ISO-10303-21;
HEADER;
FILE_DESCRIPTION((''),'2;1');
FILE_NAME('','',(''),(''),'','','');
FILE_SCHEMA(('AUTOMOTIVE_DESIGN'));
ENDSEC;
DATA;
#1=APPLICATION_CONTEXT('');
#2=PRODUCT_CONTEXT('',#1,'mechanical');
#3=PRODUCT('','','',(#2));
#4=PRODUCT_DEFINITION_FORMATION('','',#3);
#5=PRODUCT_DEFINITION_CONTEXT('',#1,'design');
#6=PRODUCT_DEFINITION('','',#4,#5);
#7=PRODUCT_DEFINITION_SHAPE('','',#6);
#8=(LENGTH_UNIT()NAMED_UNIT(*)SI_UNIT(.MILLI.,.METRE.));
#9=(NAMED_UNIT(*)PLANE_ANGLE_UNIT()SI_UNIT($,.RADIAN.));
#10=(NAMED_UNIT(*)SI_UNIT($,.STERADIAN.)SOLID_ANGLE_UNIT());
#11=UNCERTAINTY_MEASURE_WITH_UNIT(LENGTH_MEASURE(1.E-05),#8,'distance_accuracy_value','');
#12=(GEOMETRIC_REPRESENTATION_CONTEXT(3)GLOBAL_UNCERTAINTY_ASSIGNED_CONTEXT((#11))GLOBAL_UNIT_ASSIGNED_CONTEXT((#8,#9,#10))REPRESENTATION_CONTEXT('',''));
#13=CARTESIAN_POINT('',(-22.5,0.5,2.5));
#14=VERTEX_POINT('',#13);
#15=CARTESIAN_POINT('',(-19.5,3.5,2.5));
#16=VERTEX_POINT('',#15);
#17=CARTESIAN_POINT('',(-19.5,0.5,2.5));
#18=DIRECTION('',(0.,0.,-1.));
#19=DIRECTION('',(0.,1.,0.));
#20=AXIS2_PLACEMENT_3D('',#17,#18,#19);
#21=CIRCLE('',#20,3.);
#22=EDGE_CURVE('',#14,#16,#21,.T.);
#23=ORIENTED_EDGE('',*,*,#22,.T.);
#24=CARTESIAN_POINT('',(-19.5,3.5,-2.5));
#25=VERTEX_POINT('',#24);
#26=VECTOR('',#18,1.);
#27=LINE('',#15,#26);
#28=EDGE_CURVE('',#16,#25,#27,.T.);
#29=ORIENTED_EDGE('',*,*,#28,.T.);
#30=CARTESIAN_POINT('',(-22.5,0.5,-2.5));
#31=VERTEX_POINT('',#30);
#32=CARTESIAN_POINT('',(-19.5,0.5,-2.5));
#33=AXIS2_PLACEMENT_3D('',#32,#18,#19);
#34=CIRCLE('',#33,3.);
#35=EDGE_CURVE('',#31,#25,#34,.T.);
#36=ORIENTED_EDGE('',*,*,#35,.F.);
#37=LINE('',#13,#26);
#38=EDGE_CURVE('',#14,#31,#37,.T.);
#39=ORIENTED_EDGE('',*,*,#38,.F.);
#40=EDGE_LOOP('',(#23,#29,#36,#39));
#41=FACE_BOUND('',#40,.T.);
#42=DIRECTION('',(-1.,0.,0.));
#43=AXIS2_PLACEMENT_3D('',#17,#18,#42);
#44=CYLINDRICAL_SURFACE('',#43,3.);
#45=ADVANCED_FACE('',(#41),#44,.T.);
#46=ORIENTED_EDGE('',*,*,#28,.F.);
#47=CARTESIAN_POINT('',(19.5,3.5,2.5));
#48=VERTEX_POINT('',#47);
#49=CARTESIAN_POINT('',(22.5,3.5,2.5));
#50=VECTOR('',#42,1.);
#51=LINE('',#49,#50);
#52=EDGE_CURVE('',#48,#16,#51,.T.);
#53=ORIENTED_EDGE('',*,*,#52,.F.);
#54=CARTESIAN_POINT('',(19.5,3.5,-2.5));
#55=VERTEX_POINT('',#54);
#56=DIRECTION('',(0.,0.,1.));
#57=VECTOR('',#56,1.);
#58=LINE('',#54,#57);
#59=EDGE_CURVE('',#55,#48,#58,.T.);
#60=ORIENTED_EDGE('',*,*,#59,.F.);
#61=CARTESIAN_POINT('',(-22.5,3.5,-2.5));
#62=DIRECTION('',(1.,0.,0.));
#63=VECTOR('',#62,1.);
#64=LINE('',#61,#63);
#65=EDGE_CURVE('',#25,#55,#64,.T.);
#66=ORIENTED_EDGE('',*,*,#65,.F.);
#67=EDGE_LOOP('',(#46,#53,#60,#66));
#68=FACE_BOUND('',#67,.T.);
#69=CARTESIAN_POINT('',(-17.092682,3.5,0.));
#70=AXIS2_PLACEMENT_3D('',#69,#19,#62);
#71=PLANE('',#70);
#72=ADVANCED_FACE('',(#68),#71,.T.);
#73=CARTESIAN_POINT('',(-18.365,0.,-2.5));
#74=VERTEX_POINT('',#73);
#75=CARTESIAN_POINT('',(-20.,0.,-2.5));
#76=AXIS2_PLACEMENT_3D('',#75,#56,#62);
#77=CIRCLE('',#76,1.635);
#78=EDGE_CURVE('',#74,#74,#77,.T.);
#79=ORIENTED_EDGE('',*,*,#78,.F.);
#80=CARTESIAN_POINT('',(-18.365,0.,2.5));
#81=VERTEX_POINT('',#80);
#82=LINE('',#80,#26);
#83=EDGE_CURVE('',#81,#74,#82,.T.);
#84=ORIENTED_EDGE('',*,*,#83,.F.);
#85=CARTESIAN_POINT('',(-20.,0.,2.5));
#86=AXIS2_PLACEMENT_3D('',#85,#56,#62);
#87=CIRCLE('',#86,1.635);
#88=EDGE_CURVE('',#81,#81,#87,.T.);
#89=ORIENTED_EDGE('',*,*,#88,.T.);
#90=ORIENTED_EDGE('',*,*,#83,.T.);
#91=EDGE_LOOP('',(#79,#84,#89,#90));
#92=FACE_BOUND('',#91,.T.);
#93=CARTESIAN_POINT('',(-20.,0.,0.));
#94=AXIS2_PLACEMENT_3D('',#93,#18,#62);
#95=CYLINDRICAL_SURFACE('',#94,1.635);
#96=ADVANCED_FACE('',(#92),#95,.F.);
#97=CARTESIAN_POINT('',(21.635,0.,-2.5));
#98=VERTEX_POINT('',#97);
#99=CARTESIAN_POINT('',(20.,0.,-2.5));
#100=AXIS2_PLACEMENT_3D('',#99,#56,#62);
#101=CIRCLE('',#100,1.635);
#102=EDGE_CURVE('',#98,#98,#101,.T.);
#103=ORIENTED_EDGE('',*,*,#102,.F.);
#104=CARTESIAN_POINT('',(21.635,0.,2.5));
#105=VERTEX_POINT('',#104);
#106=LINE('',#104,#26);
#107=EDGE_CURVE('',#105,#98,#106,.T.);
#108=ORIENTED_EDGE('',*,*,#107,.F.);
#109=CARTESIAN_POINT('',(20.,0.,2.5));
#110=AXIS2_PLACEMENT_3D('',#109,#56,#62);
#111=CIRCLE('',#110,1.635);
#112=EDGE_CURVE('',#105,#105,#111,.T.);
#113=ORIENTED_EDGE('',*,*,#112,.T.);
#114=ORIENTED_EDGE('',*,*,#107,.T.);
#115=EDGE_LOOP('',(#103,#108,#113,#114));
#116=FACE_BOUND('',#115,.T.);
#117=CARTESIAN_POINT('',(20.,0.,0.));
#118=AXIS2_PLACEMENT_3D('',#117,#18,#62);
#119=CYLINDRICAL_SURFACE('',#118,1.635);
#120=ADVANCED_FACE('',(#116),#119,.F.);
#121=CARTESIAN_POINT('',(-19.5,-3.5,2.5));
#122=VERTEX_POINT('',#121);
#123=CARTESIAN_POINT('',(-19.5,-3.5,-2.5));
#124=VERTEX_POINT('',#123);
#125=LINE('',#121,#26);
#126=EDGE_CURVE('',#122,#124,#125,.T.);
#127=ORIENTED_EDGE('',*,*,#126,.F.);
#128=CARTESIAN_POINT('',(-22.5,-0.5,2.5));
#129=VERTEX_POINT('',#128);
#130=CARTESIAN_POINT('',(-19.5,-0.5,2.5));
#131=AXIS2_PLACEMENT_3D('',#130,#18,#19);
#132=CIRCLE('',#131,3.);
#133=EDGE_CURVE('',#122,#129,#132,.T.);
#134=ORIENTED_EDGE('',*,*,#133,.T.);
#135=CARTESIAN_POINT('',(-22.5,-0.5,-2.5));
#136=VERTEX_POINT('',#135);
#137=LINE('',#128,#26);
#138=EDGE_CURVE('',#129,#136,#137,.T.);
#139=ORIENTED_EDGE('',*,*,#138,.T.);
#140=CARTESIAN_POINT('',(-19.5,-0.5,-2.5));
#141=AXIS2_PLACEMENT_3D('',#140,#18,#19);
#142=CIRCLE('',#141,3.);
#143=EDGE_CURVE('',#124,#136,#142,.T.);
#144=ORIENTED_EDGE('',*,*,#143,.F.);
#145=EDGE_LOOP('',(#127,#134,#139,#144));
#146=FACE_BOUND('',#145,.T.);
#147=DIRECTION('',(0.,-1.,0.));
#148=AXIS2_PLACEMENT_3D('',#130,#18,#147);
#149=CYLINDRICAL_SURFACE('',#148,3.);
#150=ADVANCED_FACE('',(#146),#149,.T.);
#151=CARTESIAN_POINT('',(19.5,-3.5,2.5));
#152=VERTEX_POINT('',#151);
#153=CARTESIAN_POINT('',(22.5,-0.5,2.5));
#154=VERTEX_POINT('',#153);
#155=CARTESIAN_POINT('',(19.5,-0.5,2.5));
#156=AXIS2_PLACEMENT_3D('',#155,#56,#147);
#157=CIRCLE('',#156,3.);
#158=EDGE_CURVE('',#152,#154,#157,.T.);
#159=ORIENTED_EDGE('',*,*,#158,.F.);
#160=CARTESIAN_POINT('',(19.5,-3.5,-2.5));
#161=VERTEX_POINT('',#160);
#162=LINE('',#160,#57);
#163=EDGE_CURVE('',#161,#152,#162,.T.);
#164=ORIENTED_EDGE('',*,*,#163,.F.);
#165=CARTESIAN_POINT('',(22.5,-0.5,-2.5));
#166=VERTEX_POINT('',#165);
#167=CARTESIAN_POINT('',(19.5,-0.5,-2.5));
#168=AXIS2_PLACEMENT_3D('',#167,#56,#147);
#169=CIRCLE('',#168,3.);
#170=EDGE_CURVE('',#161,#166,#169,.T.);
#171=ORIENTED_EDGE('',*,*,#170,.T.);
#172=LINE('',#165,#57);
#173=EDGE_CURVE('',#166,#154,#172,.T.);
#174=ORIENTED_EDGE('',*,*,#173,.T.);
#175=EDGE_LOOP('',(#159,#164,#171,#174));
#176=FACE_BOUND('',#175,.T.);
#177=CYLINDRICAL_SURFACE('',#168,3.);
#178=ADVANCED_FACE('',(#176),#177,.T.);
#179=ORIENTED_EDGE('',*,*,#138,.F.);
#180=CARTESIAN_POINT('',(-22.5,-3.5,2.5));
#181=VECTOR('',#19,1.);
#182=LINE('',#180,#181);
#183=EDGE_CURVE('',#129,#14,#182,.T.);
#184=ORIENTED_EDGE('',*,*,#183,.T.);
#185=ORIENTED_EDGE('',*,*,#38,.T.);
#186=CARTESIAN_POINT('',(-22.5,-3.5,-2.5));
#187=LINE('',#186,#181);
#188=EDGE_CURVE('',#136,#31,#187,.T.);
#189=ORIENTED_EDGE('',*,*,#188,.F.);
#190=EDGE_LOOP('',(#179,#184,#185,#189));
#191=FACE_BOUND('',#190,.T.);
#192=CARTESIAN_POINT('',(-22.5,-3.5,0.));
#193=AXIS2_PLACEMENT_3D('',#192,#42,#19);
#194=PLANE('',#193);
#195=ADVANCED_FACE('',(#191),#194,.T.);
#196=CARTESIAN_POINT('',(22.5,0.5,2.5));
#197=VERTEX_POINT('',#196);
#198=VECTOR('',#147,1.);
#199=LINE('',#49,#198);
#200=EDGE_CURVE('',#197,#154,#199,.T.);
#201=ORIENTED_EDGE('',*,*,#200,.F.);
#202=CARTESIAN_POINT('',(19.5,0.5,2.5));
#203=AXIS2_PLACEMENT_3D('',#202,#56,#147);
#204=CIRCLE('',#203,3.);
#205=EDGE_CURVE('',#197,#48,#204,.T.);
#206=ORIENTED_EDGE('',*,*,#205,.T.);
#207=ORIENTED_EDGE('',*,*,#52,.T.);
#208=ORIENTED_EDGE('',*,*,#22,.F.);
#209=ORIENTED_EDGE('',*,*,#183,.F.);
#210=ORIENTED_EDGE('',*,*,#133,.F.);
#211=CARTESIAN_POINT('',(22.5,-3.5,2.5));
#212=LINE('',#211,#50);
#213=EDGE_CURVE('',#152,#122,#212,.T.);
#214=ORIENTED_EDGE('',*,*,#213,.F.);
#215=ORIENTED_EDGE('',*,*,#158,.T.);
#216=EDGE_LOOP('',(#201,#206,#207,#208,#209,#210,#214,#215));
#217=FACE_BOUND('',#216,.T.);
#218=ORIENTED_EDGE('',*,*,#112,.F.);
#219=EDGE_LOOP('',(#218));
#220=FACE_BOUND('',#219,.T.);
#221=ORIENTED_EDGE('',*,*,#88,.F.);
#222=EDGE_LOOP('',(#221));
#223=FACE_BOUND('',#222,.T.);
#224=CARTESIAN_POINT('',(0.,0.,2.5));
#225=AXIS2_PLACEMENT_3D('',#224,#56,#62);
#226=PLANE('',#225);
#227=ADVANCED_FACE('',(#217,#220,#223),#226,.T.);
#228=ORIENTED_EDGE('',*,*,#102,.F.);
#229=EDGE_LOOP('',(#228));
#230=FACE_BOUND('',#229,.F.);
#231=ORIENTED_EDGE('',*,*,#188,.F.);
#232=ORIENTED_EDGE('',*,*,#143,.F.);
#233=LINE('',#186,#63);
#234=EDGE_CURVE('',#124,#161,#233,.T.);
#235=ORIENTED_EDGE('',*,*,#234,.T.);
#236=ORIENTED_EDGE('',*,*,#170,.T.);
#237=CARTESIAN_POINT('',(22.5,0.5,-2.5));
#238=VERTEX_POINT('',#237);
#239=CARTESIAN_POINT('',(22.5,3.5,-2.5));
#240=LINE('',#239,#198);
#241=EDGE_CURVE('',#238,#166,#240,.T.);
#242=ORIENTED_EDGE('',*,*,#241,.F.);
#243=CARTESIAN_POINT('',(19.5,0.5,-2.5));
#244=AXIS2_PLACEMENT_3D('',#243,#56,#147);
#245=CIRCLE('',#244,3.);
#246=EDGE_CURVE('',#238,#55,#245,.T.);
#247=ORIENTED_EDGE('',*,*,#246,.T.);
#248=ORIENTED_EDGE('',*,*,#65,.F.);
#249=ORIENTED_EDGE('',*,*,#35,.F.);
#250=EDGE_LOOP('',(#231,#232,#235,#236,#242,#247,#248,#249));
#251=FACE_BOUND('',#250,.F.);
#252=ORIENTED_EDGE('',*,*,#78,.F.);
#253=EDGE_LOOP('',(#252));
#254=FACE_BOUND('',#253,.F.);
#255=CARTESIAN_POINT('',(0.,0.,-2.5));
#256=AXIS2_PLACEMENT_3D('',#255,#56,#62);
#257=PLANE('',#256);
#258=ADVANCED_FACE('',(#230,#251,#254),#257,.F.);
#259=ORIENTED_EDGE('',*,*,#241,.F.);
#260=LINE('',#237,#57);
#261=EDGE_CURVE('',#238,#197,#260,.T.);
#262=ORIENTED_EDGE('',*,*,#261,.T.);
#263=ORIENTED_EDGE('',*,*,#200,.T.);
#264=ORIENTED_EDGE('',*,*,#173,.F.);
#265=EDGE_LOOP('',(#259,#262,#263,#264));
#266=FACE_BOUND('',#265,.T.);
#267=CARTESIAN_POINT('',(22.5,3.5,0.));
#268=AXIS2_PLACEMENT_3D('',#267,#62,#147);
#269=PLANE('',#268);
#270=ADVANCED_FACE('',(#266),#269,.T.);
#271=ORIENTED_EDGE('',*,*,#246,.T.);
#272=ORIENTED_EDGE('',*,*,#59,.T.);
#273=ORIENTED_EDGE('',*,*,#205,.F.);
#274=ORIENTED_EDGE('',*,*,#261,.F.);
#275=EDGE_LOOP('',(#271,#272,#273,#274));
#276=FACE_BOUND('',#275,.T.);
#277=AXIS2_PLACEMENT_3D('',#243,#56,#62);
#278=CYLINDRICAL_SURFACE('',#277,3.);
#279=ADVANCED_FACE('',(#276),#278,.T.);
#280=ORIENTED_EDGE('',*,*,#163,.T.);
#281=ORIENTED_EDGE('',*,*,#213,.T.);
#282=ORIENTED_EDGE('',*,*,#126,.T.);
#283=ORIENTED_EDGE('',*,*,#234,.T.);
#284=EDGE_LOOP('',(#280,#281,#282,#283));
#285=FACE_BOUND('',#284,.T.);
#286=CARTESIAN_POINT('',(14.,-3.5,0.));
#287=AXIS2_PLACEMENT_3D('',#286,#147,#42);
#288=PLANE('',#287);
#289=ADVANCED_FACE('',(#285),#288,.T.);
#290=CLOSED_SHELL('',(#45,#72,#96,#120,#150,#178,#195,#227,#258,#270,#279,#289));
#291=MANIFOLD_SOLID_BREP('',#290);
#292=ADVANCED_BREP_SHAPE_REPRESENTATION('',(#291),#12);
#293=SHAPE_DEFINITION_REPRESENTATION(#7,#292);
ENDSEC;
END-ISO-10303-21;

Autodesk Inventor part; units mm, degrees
ref_plane "YZ Plane" through (0, 0, 0) normal (1, 0, 0) x (0, 1, 0)
ref_plane "XZ Plane" through (0, 0, 0) normal (0, 1, 0) x (-1, 0, 0)
ref_plane "XY Plane" through (0, 0, 0) normal (0, 0, 1) x (1, 0, 0)
sketch "スケッチ1" plane through (0, 0, 0) normal (0, 0, 1) x (1, 0, 0)
  line L0 (-22.5, 3.5) -> (22.5, 3.5)
  line L1 (22.5, 3.5) -> (22.5, -3.5)
  line L2 (22.5, -3.5) -> (-22.5, -3.5)
  line L3 (-22.5, -3.5) -> (-22.5, 3.5)
  line L4 (-22.5, 3.5) -> (22.5, -3.5) construction
  line L5 (22.5, 3.5) -> (-22.5, -3.5) construction
  line L6 (0, -6.37) -> (0, 6.37) construction
  line L7 (-34.37, 0) -> (34.37, 0) construction
  circle A0 centre (-20, 0) radius 4.55
  line L8 (22.5, -3.5) -> (22.5, 3.5)
  circle A1 centre (20, 0) radius 4.55
  circle A2 centre (-20, 0) radius 1.635
  circle A3 centre (20, 0) radius 1.635
  line L9 (14, 3.5) -> (14, -3.5)
  line L10 (16, 3.5) -> (16, -3.5)
  point P0 (0, 0)
  point P1 (-17.0927, 3.5)
  point P2 (-22.9073, 3.5)
  point P3 (-22.9073, -3.5)
  point P4 (-17.0927, -3.5)
  point P5 (17.0927, 3.5)
  point P6 (17.0927, -3.5)
  point P7 (22.9073, -3.5)
  point P8 (22.9073, 3.5)
  dimension "d1" = 7
  dimension "d2" = 20
  dimension "d3" = 45
  dimension "d4" = 9.1
  dimension "d12" = 3.27
  dimension "d13" = 3.27
  dimension "d14" = 6
  dimension "d15" = 2
extrude "押し出し1" add sketch "スケッチ1" along normal mid plane 5 contours L9 L2 A0 L0 | L0 L10 A1 L2 L9 | L0 A1 L10 | A0 L2 L3 L0 | L0 L1 L2 A1 L10 | L10 A1 | L10 A1 L2 picked at (-19.7985, 2.8744)
fillet "フィレット1" radius 3 4 edges at (-22.5, 3.5, 0) (-22.5, -3.5, 0) (22.5, -3.5, 0) (22.5, 3.5, 0)
properties part number "link_arm_1"
